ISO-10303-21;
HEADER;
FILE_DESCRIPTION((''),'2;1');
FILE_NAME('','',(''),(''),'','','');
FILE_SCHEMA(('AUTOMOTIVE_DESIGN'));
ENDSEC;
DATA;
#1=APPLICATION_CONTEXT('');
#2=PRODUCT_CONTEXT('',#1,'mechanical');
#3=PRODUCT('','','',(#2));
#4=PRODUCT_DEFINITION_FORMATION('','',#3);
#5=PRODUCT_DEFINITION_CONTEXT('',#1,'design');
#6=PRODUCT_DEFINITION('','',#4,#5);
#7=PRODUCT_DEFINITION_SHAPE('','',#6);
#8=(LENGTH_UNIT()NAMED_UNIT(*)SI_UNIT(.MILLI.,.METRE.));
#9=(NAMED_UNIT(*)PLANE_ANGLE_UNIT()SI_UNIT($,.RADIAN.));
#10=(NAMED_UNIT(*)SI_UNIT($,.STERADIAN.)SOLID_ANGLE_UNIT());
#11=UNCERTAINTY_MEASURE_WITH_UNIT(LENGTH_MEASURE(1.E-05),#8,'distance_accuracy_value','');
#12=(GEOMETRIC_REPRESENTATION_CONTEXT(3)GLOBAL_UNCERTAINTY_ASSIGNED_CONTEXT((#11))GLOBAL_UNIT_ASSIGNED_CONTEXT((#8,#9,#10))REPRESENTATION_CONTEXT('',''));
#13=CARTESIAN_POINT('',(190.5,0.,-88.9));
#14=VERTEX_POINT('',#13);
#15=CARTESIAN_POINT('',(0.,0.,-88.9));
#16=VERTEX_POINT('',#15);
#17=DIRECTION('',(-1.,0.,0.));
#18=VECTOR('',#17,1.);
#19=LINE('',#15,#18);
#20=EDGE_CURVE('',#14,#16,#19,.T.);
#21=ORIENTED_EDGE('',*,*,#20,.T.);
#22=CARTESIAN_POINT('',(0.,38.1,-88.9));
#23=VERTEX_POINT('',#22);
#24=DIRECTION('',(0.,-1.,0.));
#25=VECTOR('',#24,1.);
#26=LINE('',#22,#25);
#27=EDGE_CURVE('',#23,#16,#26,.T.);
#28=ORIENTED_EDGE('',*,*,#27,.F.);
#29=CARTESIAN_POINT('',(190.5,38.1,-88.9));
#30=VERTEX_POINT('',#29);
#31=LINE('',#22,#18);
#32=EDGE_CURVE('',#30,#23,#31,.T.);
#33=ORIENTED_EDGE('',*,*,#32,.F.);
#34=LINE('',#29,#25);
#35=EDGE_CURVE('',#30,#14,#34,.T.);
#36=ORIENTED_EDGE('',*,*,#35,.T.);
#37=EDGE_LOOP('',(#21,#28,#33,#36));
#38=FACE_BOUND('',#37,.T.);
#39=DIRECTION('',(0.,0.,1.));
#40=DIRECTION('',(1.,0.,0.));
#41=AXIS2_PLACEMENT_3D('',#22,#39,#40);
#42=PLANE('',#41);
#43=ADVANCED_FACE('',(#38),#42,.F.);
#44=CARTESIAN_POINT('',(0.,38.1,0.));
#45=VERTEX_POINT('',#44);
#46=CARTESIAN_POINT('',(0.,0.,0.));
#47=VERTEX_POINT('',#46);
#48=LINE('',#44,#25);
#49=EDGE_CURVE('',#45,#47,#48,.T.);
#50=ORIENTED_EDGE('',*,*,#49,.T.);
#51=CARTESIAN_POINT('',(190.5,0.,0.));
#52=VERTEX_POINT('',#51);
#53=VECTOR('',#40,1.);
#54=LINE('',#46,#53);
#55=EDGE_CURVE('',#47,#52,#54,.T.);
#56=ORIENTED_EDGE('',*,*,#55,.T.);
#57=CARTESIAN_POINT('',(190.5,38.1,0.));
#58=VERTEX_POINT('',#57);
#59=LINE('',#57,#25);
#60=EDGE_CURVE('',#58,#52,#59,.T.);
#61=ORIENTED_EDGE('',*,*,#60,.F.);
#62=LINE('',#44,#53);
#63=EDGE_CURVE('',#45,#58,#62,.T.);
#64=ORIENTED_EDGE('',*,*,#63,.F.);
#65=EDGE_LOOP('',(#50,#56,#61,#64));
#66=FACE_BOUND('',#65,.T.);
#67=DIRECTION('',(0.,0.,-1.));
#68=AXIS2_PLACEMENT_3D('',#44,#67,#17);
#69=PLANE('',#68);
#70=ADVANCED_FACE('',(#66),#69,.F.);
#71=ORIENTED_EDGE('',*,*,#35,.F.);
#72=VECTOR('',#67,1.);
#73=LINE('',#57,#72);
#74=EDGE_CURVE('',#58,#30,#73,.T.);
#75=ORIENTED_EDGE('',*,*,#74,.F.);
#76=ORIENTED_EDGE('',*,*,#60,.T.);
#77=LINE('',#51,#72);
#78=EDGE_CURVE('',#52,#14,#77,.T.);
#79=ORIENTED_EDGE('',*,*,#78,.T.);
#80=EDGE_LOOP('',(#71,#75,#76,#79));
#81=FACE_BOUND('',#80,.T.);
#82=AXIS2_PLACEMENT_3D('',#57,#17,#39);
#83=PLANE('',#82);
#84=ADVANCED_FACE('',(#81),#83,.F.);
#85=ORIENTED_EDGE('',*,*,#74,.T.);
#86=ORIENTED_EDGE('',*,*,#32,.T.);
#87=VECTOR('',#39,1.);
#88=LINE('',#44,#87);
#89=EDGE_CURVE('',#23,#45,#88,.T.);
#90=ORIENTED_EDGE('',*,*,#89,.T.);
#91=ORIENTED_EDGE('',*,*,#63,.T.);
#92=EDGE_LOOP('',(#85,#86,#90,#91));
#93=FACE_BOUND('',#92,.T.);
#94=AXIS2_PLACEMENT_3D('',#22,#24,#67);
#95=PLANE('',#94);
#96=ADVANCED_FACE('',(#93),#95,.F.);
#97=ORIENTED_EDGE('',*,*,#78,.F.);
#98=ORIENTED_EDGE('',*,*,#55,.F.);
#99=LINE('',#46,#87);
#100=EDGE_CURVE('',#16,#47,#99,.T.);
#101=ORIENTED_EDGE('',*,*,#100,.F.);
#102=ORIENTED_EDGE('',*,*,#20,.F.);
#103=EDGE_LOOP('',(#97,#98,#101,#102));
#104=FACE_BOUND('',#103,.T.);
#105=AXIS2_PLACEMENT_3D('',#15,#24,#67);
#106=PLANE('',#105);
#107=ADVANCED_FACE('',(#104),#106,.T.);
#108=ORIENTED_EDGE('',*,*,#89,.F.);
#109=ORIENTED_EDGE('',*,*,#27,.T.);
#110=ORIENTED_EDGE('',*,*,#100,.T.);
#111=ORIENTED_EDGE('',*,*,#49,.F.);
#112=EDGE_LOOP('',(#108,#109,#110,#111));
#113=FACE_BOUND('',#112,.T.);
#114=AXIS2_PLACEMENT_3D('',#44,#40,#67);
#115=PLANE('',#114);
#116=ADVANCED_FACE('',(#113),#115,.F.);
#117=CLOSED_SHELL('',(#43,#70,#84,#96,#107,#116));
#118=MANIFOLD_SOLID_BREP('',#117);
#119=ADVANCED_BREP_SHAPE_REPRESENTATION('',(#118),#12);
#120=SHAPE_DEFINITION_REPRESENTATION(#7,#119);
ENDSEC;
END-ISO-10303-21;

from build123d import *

# Parameters (mm, degrees)
SKETCH2_W           = 190.5
SKETCH2_H           = 88.9
BOSS_EXTRUDE1_DEPTH = 38.1


with BuildPart() as part:
    # Sketch2 → Boss-Extrude1 (new body)
    with BuildSketch(Plane(origin=(0, 0, 0), x_dir=(1, 0, 0), z_dir=(0, 1, 0))):
        with Locations((95.25, 44.45)):
            Rectangle(SKETCH2_W, SKETCH2_H)
    extrude(amount=BOSS_EXTRUDE1_DEPTH)


solid = part.part
